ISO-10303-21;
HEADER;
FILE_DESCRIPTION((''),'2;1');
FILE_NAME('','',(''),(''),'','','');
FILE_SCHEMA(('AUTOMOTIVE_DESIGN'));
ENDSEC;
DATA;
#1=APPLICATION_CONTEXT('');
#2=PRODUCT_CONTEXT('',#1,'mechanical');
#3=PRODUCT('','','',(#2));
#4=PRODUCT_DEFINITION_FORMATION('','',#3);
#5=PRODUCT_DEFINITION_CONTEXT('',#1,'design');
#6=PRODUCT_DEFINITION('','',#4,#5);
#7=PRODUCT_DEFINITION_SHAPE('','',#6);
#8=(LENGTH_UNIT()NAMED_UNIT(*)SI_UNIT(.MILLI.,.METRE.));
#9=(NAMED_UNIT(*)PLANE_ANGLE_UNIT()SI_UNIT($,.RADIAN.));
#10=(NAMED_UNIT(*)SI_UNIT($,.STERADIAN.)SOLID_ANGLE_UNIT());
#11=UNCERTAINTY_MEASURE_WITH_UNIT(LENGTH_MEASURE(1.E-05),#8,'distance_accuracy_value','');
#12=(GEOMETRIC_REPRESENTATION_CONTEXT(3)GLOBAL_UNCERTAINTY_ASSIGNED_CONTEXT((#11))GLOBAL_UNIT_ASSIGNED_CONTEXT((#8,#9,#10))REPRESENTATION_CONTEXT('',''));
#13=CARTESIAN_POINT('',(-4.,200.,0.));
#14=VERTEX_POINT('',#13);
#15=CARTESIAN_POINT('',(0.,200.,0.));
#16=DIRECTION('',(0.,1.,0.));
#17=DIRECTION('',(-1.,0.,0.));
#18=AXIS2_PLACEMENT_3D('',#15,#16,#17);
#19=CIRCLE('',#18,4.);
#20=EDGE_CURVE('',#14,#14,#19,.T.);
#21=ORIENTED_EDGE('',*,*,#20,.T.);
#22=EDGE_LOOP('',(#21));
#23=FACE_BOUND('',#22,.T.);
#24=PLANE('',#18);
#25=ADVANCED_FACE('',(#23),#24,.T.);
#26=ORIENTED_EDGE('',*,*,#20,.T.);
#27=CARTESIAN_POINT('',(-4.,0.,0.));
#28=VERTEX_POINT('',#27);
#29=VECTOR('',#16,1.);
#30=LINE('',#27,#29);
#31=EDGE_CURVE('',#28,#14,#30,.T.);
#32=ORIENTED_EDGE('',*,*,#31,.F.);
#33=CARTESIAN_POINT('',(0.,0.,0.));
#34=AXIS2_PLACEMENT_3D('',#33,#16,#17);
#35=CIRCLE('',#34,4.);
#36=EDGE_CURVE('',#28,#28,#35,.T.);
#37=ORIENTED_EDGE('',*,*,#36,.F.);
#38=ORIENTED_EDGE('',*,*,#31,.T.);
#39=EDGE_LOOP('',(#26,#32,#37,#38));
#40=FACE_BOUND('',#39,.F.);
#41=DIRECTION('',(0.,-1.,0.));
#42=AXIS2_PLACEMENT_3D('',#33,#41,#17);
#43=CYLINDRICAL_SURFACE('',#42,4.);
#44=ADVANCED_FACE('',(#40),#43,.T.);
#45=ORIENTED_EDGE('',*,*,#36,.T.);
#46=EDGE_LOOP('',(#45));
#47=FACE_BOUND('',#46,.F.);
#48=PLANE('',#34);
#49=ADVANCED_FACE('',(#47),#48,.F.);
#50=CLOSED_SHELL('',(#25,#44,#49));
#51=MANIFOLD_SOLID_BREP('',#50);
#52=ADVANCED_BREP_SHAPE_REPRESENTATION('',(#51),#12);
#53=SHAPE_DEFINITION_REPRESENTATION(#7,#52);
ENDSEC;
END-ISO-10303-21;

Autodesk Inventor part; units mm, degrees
ref_plane "YZ Plane" through (0, 0, 0) normal (1, 0, 0) x (0, 1, 0)
ref_plane "XZ Plane" through (0, 0, 0) normal (0, 1, 0) x (-1, 0, 0)
ref_plane "XY Plane" through (0, 0, 0) normal (0, 0, 1) x (1, 0, 0)
sketch "Sketch1" plane through (0, 0, 0) normal (0, 1, 0) x (-1, 0, 0)
  circle A0 centre (0, 0) radius 4
  dimension "d0" = 8
extrude "Extrusion1" add sketch "Sketch1" along normal blind 200
equation "\"d0\" = shaftDiameter"
equation "\"d1\" = shaftLength"
equation "\"gap\" = 0.1"
equation "\"airgap\" = 0.4"
equation "\"wallgap\" = 2"
equation "\"driveMagnet_height\" = 5"
equation "\"halbachMagnet_height\" = 3"
equation "\"rotorBandBolt_diameter\" = 2"
equation "\"rotorBandBolt_headDiameter\" = 3.98"
equation "\"rotorBandBolt_headHeight\" = 2"
equation "\"rotorBandHexNut_sideToSide\" = 4"
equation "\"rotorBandHexNut_height\" = 1.2"
equation "\"rotorBandSquareNut_sideLength\" = 4"
equation "\"rotorBandSquareNut_height\" = 1.2"
equation "\"sensorMagnet_diameter\" = 5"
equation "\"sensorMagnet_height\" = 2.66667"
equation "\"rotorRadius\" = 2 * gap + driveMagnet_centerSpacingRadius + driveMagnet_length + wallgap"
equation "\"rotor_mountingLipHeight\" = 0.5 * statorThickness"
equation "\"shaftDiameter\" = 8"
equation "\"flangeBearing_innerDiameter\" = shaftDiameter"
equation "\"flangeBearing_outerDiameter\" = 16"
equation "\"flangeBearing_flangeDiameter\" = 18"
equation "\"flangeBearing_height\" = 5"
equation "\"flangeBearing_flangeHeight\" = 1"
equation "\"statorThickness\" = coilThickness + 2 * wallgap"
equation "\"rotorBandThickness\" = wallgap + rotorBandBolt_headHeight + gap"
equation "\"shaftLength\" = 200"
equation "\"flangeCoupling_collarOuterDiameter\" = 16"
equation "\"flangeCoupling_flangeHoleEdgeToEdge\" = 2.05"
equation "\"flangeCoupling_innerDiameter\" = shaftDiameter"
equation "\"flangeCoupling_flangeHoleDiameter\" = 3.9"
equation "\"flangeCoupling_flangeHeight\" = 3.1"
equation "\"flangeCoupling_flangeDiameter\" = 32"
equation "\"flangeCoupling_height\" = flangeCoupling_collarHeight + flangeCoupling_flangeHeight"
equation "\"flangeCoupling_mountHoleDiameter\" = 3.9"
equation "\"flangeCoupling_mountHoleEdgeToEdge\" = 2.05"
equation "\"statorRadius\" = driveMagnet_length + driveMagnet_centerSpacingRadius + 2 * gap"
equation "\"coilThickness\" = 12"
equation "\"statorMountBolt_diameter\" = 4"
equation "\"statorMountBolt_headDiameter\" = 7"
equation "\"statorMountBolt_headHeight\" = 4"
equation "\"statorMountBolt_shaftLength\" = coilThickness + flangeCoupling_flangeHeight + wallgap"
equation "\"statorMountHexNut_height\" = 4"
equation "\"statorMountHexNut_sideToSide\" = 8"
equation "\"sensorMagnet_ringRadius\" = 0.5 * driveMagnet_centerSpacingRadius + 2 * wallgap"
equation "\"coil_percentCoverage\" = 0.6"
equation "\"statorSpokeDegrees\" = 4deg"
equation "\"coil_bulge\" = 3"
equation "\"statorCoilHexNut_height\" = 1.2"
equation "\"statorCoilBolt_headHeight\" = 2"
equation "\"statorCoilBolt_diameter\" = 2"
equation "\"statorCoilBolt_headDiameter\" = 3.98"
equation "\"statorCoilHexNut_sideToSide\" = 4"
equation "\"magnetWire_outerDiameter\" = 0.8128"
equation "\"printingLayerHeight\" = 0.2"
equation "\"circuitBoard_height\" = 1.6"
equation "\"hallEffectSensor_width\" = 1.6"
equation "\"hallEffectSensor_length\" = 3"
equation "\"hallEffectSensor_height\" = 1.1"
equation "\"hallEffectSensor_pinLength\" = 0.6"
equation "\"circuitboardMountHexNut_height\" = 1.2"
equation "\"circuitboardMountHexNut_sideToSide\" = 4"
equation "\"circuitboardMountBolt_headHeight\" = 2"
equation "\"circuitboardMountBolt_shaftLength\" = coilThickness"
equation "\"circuitboardMountBolt_diameter\" = 2"
equation "\"circuitboardMountBolt_headDiameter\" = 3.98"
equation "\"statorShellBolt_headDiameter\" = 5.68"
equation "\"statorShellHexNut_height\" = 2.3"
equation "\"statorShellBolt_shaftLength\" = statorThickness - statorShellBolt_countersinkDepth"
equation "\"statorShellBolt_headHeight\" = 3"
equation "\"statorShellHexNut_sideToSide\" = 5.3"
equation "\"statorShellBolt_diameter\" = 3"
equation "\"flangeCoupling_mountHoleCenterToCouplingCenter\" = 12"
equation "\"driveMagnet_centerSpacingRadius\" = 38.96113"
equation "\"driveMagnet_length\" = 60"
equation "\"flangeCoupling_collarHeight\" = 10"
equation "\"statorShellBolt_countersinkDepth\" = 3.4"
properties part number "Shaft" material "Steel, Non-Alloy"
